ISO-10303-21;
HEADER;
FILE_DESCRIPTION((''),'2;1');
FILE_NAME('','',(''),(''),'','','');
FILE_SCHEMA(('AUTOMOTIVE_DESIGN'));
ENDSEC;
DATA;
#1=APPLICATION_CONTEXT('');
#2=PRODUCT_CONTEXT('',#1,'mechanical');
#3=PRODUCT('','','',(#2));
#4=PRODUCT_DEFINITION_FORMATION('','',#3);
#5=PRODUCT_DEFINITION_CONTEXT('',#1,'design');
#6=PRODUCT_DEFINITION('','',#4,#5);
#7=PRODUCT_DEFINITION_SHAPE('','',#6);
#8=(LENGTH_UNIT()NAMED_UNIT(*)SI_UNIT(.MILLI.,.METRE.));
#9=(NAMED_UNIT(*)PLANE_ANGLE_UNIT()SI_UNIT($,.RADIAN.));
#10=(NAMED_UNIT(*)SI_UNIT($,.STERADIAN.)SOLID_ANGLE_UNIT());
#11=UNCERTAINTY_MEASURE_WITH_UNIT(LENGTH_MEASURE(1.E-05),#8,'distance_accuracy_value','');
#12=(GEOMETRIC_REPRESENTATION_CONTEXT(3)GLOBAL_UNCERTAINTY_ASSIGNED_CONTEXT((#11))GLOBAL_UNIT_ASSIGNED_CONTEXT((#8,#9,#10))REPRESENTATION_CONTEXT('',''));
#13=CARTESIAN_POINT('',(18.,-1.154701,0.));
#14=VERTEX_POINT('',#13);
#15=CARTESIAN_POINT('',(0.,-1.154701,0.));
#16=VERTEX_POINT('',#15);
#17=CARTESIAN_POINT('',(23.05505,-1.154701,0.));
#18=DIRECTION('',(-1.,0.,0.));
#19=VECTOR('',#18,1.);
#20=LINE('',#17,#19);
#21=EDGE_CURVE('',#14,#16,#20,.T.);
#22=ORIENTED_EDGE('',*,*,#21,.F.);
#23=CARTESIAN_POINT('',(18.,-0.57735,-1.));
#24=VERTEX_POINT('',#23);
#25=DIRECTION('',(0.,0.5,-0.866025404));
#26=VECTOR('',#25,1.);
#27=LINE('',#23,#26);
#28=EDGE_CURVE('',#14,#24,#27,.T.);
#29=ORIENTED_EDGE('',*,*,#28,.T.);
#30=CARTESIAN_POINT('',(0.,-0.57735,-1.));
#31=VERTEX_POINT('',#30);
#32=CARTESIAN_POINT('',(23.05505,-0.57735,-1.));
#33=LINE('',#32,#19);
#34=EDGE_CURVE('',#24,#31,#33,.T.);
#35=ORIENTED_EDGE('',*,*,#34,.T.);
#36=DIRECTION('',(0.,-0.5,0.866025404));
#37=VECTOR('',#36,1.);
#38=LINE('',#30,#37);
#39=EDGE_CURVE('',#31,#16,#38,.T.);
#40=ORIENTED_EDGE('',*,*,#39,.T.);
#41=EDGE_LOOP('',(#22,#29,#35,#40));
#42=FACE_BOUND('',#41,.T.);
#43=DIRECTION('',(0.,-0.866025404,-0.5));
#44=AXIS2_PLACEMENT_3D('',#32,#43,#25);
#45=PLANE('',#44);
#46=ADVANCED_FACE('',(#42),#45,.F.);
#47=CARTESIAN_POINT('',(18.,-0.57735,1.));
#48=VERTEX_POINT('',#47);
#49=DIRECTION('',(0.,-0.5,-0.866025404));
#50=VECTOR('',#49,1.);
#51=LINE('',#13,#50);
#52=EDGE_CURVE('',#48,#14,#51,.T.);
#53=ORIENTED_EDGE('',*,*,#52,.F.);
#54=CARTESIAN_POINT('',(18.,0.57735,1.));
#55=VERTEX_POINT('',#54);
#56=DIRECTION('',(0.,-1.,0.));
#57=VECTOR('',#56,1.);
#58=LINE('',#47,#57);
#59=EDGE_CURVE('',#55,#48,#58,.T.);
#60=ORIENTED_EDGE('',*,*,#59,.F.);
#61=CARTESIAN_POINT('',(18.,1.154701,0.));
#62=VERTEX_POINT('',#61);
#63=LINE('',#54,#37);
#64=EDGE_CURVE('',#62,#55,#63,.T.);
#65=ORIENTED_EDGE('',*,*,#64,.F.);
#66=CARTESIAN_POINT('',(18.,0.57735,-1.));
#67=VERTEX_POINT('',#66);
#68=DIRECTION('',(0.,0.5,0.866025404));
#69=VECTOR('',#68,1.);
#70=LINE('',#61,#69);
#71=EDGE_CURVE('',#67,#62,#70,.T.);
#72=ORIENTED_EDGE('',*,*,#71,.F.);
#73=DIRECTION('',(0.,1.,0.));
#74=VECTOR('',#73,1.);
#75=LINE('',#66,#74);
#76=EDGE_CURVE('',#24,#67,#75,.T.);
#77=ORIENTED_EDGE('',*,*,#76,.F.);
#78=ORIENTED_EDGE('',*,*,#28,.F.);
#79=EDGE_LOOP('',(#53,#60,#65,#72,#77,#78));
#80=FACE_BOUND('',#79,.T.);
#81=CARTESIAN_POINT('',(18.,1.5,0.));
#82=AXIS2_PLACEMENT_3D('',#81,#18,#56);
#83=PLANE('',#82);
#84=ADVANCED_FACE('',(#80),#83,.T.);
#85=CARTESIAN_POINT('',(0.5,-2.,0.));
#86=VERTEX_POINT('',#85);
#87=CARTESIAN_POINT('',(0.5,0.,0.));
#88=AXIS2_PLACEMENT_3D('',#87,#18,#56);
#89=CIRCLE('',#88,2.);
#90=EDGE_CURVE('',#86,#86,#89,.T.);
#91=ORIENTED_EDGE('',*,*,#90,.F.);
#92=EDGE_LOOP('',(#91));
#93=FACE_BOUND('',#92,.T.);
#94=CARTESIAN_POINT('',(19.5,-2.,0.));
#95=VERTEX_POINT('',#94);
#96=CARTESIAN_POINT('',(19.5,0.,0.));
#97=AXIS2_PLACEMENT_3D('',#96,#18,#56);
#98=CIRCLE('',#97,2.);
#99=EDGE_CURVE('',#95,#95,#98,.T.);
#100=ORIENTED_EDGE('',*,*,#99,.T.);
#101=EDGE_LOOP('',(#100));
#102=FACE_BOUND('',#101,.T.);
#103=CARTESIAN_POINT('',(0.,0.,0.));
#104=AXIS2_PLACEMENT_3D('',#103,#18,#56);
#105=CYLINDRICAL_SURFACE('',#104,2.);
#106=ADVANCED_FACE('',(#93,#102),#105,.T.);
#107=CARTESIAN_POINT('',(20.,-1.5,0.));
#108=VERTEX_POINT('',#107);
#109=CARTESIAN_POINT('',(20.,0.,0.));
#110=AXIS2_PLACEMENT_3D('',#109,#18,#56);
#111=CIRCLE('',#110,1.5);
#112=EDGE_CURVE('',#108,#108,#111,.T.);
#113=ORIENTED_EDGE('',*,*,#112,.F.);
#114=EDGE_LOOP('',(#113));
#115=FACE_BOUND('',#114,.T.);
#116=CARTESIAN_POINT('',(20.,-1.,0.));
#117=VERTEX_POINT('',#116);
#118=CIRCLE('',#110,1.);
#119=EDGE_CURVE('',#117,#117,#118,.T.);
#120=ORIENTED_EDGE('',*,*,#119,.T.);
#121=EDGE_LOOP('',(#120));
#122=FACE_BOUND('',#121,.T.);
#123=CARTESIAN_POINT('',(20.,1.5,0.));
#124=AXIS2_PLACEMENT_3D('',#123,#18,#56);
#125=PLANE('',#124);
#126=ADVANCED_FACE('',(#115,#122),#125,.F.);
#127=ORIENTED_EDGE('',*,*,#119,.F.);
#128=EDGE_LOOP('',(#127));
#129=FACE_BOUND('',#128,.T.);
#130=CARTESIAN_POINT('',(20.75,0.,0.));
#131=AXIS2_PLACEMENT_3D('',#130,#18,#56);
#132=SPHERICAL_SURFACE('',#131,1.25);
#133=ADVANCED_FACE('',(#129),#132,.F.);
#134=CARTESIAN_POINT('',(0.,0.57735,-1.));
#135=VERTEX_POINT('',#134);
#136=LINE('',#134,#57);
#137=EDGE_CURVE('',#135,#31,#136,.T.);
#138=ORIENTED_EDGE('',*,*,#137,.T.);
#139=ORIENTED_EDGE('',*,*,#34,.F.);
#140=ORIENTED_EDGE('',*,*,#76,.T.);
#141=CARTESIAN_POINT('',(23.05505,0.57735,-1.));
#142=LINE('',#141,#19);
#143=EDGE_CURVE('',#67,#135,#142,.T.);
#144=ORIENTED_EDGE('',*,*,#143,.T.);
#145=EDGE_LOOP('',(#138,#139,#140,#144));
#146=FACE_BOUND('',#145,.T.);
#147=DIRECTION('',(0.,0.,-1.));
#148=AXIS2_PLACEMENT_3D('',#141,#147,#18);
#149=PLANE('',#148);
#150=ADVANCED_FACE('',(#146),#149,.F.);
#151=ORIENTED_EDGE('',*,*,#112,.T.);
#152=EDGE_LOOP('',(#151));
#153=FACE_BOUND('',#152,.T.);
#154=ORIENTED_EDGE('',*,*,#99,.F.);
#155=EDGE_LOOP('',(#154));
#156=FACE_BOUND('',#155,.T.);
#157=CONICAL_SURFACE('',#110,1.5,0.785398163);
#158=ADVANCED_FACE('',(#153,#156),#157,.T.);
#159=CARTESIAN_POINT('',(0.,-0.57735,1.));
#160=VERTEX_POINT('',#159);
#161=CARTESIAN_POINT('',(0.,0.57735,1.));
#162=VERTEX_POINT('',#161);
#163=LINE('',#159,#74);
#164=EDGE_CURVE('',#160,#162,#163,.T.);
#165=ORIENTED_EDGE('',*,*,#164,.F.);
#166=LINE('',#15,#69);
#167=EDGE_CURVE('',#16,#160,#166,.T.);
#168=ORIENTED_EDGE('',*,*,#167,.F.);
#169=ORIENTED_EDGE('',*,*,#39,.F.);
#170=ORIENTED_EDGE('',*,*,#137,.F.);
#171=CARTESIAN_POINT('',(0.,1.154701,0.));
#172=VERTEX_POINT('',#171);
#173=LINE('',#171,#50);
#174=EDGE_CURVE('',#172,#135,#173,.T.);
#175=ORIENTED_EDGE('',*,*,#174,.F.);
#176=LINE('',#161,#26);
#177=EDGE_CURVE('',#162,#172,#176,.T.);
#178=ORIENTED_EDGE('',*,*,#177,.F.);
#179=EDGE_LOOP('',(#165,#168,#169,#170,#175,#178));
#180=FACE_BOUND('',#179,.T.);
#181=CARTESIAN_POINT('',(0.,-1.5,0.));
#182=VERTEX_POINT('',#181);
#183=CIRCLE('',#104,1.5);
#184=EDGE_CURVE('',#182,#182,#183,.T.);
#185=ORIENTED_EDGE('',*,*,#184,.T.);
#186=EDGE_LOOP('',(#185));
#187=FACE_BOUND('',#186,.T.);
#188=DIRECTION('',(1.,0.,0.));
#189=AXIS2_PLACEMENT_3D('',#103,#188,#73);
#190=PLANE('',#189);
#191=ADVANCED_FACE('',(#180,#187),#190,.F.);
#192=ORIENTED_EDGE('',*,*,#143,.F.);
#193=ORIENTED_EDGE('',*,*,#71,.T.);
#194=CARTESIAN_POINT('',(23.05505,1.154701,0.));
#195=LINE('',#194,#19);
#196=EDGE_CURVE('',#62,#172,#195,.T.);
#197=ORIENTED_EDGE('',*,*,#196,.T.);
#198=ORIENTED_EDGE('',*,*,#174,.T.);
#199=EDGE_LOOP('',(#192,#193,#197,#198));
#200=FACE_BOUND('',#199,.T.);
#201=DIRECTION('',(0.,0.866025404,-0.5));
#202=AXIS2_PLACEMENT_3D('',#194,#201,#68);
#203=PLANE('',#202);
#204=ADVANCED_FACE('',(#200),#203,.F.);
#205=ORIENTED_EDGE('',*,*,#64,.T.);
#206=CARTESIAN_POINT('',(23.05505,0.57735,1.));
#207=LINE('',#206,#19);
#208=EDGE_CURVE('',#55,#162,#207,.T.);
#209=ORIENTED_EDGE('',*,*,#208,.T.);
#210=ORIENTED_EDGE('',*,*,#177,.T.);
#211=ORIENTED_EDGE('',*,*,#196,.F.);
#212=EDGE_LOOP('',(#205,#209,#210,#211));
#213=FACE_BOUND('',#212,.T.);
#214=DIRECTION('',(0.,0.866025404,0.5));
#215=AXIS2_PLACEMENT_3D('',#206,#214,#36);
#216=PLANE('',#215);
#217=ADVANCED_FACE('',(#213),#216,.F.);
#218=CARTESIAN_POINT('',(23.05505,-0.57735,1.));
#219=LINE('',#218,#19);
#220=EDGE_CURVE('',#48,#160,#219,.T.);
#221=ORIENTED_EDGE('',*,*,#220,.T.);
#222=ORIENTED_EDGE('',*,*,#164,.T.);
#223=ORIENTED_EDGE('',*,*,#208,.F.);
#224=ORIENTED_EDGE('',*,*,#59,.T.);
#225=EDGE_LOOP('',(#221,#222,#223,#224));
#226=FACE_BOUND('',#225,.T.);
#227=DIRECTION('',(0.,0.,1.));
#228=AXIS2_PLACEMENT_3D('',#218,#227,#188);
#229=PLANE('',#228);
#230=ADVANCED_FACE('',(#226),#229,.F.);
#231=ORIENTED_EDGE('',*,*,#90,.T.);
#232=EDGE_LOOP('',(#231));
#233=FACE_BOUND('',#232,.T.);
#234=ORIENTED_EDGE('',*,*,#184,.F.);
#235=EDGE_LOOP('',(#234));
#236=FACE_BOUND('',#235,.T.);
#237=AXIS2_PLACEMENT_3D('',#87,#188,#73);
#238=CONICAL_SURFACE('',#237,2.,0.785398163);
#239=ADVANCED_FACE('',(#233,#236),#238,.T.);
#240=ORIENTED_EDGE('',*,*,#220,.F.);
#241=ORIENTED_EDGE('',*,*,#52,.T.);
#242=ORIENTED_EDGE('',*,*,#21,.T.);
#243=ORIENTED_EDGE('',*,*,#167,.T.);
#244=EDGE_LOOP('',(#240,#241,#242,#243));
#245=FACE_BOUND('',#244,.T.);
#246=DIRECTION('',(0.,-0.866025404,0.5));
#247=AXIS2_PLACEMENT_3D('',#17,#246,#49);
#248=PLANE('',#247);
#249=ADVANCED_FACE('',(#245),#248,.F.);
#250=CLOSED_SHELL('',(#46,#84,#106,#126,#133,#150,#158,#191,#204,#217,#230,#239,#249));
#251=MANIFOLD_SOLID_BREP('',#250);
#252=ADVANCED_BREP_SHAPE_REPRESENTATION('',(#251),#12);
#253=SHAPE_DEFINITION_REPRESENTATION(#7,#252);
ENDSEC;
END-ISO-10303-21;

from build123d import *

# Parameters (mm, degrees)
CUT_EXTRUDE1_DEPTH = 18


with BuildPart() as part:
    # Sketch1 → Revolve1 (revolve)
    with BuildSketch(Plane.XY, mode=Mode.PRIVATE) as revolve1_sk:
        with BuildLine():
            Line((0, 0), (0, 1.5))
            Line((0, 1.5), (0.5, 2))
            Line((0.5, 2), (19.5, 2))
            Line((19.5, 2), (20, 1.5))
            Line((20, 1.5), (20, 1))
            ThreePointArc((20, 1), (19.631966011, 0.559016994), (19.5, 0))
            Line((19.5, 0), (0, 0))
        make_face()
    revolve(revolve1_sk.sketch.rotate(Axis((0, 0, 0), (1, 0, 0)), 180), axis=Axis((0, 0, 0), (1, 0, 0)))

    # Sketch2 → Cut-Extrude1 (cut)
    with BuildSketch(Plane.ZY):
        Polygon((0, 1.154700538), (-1, 0.577350269), (-1, -0.577350269), (0, -1.154700538), (1, -0.577350269), (1, 0.577350269), align=None)
    extrude(amount=-CUT_EXTRUDE1_DEPTH, mode=Mode.SUBTRACT)


solid = part.part
